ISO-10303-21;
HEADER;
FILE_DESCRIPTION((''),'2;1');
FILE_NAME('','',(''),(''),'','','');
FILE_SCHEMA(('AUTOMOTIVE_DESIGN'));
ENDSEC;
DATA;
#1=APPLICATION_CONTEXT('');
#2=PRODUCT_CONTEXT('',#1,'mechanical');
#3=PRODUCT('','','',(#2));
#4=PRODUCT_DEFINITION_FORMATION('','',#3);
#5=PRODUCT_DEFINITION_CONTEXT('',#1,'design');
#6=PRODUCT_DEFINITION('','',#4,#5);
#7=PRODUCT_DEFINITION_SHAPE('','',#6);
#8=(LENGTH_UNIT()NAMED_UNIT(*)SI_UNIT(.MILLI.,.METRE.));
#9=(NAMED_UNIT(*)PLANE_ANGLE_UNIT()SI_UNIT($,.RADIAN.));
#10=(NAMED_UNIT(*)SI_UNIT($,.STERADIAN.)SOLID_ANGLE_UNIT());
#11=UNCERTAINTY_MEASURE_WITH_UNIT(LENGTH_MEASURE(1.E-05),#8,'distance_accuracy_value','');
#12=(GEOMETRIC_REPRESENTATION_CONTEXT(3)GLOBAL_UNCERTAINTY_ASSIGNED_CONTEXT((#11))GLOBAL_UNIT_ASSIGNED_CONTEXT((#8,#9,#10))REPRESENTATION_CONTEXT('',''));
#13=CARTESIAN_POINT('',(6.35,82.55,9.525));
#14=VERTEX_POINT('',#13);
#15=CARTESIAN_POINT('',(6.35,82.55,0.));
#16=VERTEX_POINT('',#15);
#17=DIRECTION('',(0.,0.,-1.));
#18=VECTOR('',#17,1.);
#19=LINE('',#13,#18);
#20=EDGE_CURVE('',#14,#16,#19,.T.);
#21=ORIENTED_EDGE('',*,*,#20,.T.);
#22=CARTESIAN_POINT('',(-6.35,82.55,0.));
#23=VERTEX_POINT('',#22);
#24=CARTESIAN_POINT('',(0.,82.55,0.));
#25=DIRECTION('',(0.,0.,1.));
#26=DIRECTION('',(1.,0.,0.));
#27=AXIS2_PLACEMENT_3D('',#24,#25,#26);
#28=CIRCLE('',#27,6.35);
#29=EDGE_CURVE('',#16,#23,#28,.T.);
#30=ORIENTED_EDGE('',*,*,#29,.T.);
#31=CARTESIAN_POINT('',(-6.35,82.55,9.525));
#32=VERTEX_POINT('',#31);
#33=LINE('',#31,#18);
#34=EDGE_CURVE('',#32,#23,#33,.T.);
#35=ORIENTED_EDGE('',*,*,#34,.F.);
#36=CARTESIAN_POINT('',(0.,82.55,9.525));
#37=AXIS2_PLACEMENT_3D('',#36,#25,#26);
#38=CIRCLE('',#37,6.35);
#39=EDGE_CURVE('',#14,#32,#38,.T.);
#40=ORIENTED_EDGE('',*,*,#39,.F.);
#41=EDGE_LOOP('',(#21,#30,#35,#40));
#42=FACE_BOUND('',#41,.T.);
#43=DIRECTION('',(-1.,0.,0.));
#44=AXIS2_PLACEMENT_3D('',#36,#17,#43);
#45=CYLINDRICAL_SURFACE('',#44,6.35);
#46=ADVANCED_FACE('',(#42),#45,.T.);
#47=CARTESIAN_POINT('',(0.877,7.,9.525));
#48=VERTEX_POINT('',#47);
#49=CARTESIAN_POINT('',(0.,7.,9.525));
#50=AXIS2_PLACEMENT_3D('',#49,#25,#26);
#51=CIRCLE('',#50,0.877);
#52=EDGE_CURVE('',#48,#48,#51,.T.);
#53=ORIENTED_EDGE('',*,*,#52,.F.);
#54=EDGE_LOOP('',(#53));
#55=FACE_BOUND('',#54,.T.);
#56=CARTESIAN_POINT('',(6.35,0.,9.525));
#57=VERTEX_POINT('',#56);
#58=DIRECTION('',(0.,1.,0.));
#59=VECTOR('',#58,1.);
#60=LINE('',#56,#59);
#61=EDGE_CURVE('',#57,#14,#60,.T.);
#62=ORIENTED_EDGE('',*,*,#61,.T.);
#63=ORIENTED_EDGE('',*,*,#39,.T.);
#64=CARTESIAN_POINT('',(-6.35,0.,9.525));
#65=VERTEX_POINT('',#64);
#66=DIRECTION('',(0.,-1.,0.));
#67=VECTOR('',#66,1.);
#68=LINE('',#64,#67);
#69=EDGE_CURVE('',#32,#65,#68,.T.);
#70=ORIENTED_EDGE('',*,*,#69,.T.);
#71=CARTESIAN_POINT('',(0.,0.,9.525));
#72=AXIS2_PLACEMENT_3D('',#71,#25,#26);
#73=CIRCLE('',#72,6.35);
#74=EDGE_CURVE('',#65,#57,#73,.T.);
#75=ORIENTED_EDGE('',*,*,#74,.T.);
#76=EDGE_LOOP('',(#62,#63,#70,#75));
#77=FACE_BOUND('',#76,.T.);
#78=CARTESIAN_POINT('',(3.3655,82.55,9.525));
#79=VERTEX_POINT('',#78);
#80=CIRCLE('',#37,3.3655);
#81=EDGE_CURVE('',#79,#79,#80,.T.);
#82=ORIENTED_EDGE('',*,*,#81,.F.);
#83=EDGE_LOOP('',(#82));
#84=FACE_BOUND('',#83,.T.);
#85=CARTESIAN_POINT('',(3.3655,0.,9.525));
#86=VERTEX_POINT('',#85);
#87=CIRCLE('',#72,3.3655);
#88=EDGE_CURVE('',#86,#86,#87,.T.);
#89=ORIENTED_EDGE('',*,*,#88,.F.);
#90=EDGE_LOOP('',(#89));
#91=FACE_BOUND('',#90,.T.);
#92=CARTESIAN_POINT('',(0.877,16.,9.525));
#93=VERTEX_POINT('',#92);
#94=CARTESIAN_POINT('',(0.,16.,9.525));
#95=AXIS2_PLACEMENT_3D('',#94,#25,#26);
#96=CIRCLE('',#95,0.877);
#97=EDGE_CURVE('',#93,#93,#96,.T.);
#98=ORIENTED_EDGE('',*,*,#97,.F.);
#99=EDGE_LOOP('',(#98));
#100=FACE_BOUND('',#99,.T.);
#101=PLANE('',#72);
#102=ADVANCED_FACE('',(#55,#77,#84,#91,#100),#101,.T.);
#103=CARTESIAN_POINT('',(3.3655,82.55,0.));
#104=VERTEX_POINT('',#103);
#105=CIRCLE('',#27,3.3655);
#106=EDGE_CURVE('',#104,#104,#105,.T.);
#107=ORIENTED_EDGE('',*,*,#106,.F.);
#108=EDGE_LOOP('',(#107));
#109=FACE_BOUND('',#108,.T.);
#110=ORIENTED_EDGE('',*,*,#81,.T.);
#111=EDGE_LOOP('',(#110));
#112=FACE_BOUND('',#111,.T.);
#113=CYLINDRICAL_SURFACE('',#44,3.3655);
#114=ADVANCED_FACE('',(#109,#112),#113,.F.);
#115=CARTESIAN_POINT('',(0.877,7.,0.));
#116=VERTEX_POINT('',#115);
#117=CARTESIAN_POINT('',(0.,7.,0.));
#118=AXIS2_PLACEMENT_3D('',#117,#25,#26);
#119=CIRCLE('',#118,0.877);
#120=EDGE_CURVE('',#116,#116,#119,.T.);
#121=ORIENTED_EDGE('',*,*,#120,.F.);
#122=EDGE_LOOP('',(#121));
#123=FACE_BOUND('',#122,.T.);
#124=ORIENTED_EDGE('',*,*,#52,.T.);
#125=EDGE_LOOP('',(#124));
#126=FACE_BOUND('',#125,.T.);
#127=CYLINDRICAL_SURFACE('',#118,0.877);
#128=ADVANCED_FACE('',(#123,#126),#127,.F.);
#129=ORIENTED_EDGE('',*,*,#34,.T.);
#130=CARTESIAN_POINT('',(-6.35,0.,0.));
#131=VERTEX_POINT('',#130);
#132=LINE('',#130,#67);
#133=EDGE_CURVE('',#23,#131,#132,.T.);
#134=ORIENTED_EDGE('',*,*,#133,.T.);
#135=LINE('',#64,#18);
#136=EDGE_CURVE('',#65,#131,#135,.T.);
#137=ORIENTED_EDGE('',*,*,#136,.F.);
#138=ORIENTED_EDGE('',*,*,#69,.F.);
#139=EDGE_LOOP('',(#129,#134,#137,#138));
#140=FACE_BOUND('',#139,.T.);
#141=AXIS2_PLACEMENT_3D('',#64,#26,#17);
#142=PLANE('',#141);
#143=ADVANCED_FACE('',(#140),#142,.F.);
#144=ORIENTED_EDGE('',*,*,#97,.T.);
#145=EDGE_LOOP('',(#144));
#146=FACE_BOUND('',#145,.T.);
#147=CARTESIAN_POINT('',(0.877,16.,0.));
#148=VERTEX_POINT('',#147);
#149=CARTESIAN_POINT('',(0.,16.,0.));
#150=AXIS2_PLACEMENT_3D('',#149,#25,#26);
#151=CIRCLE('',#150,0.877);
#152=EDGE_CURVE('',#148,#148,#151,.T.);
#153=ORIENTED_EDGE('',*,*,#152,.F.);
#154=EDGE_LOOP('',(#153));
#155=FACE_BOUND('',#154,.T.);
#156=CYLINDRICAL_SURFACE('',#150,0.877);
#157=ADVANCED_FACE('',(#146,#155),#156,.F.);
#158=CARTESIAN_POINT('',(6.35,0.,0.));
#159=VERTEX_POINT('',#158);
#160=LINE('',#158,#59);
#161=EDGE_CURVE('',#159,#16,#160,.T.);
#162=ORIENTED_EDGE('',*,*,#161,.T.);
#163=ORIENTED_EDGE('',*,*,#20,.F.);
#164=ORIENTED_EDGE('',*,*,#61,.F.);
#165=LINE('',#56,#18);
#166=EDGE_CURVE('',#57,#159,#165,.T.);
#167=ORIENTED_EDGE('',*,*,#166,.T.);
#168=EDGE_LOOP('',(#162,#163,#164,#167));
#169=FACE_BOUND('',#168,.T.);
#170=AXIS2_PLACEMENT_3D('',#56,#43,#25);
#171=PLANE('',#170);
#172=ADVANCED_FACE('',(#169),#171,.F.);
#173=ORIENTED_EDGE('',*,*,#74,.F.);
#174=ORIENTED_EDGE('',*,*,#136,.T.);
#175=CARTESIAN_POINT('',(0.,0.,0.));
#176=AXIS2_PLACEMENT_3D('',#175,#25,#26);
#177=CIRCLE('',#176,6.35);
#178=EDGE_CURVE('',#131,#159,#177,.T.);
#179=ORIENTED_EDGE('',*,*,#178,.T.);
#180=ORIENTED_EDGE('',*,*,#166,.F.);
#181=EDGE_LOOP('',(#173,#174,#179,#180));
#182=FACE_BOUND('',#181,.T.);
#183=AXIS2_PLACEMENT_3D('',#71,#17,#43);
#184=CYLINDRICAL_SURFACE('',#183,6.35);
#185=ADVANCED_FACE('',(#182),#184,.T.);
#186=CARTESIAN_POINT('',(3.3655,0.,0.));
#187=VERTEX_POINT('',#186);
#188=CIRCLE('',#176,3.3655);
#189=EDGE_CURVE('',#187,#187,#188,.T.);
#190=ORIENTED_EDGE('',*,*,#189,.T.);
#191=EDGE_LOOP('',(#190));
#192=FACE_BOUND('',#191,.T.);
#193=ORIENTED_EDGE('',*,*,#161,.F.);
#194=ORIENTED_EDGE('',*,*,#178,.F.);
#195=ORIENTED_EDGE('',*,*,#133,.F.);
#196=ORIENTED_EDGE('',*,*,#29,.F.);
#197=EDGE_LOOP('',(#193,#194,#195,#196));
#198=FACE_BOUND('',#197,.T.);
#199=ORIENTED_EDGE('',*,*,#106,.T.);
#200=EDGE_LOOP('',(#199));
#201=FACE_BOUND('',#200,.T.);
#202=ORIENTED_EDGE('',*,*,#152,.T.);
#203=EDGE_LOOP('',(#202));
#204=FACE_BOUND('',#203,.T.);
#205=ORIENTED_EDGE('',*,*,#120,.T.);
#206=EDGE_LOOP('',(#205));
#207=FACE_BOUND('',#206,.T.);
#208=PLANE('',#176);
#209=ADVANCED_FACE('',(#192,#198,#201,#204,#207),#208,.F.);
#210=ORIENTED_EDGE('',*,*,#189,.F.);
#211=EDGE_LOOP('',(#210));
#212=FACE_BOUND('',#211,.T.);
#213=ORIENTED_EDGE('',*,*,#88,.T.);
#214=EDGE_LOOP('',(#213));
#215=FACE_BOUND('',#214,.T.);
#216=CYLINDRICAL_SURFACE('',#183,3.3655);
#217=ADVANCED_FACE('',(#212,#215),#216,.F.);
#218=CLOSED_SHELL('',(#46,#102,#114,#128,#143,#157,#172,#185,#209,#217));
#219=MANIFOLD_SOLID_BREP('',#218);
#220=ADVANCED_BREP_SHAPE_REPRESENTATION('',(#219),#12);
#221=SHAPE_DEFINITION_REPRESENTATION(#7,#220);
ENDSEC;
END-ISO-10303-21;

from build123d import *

# Parameters (mm, degrees)
SKETCH1_R           = 3.3655
BOSS_EXTRUDE1_DEPTH = 9.525
SKETCH2_R           = 0.877000024
CUT_EXTRUDE1_DEPTH  = 10.525


with BuildPart() as part:
    # Sketch1 → Boss-Extrude1 (new body)
    with BuildSketch(Plane.XY):
        with BuildLine():
            Line((-6.35, 0), (-6.35, 82.55))
            ThreePointArc((-6.35, 82.55), (0, 88.9), (6.35, 82.55))
            Line((6.35, 82.55), (6.35, 0))
            ThreePointArc((6.35, 0), (0, -6.35), (-6.35, 0))
        make_face()
        with Locations((0, 82.55)):
            Circle(SKETCH1_R, mode=Mode.SUBTRACT)
        Circle(SKETCH1_R, mode=Mode.SUBTRACT)
    extrude(amount=BOSS_EXTRUDE1_DEPTH)

    # Sketch2 → Cut-Extrude1 (cut, through all)
    with BuildSketch(Plane.XY.offset(9.525)):
        with Locations((0, 6.99999997)):
            Circle(SKETCH2_R)
        with Locations((0, 16.000000004)):
            Circle(SKETCH2_R)
    extrude(amount=-CUT_EXTRUDE1_DEPTH, mode=Mode.SUBTRACT)


solid = part.part
